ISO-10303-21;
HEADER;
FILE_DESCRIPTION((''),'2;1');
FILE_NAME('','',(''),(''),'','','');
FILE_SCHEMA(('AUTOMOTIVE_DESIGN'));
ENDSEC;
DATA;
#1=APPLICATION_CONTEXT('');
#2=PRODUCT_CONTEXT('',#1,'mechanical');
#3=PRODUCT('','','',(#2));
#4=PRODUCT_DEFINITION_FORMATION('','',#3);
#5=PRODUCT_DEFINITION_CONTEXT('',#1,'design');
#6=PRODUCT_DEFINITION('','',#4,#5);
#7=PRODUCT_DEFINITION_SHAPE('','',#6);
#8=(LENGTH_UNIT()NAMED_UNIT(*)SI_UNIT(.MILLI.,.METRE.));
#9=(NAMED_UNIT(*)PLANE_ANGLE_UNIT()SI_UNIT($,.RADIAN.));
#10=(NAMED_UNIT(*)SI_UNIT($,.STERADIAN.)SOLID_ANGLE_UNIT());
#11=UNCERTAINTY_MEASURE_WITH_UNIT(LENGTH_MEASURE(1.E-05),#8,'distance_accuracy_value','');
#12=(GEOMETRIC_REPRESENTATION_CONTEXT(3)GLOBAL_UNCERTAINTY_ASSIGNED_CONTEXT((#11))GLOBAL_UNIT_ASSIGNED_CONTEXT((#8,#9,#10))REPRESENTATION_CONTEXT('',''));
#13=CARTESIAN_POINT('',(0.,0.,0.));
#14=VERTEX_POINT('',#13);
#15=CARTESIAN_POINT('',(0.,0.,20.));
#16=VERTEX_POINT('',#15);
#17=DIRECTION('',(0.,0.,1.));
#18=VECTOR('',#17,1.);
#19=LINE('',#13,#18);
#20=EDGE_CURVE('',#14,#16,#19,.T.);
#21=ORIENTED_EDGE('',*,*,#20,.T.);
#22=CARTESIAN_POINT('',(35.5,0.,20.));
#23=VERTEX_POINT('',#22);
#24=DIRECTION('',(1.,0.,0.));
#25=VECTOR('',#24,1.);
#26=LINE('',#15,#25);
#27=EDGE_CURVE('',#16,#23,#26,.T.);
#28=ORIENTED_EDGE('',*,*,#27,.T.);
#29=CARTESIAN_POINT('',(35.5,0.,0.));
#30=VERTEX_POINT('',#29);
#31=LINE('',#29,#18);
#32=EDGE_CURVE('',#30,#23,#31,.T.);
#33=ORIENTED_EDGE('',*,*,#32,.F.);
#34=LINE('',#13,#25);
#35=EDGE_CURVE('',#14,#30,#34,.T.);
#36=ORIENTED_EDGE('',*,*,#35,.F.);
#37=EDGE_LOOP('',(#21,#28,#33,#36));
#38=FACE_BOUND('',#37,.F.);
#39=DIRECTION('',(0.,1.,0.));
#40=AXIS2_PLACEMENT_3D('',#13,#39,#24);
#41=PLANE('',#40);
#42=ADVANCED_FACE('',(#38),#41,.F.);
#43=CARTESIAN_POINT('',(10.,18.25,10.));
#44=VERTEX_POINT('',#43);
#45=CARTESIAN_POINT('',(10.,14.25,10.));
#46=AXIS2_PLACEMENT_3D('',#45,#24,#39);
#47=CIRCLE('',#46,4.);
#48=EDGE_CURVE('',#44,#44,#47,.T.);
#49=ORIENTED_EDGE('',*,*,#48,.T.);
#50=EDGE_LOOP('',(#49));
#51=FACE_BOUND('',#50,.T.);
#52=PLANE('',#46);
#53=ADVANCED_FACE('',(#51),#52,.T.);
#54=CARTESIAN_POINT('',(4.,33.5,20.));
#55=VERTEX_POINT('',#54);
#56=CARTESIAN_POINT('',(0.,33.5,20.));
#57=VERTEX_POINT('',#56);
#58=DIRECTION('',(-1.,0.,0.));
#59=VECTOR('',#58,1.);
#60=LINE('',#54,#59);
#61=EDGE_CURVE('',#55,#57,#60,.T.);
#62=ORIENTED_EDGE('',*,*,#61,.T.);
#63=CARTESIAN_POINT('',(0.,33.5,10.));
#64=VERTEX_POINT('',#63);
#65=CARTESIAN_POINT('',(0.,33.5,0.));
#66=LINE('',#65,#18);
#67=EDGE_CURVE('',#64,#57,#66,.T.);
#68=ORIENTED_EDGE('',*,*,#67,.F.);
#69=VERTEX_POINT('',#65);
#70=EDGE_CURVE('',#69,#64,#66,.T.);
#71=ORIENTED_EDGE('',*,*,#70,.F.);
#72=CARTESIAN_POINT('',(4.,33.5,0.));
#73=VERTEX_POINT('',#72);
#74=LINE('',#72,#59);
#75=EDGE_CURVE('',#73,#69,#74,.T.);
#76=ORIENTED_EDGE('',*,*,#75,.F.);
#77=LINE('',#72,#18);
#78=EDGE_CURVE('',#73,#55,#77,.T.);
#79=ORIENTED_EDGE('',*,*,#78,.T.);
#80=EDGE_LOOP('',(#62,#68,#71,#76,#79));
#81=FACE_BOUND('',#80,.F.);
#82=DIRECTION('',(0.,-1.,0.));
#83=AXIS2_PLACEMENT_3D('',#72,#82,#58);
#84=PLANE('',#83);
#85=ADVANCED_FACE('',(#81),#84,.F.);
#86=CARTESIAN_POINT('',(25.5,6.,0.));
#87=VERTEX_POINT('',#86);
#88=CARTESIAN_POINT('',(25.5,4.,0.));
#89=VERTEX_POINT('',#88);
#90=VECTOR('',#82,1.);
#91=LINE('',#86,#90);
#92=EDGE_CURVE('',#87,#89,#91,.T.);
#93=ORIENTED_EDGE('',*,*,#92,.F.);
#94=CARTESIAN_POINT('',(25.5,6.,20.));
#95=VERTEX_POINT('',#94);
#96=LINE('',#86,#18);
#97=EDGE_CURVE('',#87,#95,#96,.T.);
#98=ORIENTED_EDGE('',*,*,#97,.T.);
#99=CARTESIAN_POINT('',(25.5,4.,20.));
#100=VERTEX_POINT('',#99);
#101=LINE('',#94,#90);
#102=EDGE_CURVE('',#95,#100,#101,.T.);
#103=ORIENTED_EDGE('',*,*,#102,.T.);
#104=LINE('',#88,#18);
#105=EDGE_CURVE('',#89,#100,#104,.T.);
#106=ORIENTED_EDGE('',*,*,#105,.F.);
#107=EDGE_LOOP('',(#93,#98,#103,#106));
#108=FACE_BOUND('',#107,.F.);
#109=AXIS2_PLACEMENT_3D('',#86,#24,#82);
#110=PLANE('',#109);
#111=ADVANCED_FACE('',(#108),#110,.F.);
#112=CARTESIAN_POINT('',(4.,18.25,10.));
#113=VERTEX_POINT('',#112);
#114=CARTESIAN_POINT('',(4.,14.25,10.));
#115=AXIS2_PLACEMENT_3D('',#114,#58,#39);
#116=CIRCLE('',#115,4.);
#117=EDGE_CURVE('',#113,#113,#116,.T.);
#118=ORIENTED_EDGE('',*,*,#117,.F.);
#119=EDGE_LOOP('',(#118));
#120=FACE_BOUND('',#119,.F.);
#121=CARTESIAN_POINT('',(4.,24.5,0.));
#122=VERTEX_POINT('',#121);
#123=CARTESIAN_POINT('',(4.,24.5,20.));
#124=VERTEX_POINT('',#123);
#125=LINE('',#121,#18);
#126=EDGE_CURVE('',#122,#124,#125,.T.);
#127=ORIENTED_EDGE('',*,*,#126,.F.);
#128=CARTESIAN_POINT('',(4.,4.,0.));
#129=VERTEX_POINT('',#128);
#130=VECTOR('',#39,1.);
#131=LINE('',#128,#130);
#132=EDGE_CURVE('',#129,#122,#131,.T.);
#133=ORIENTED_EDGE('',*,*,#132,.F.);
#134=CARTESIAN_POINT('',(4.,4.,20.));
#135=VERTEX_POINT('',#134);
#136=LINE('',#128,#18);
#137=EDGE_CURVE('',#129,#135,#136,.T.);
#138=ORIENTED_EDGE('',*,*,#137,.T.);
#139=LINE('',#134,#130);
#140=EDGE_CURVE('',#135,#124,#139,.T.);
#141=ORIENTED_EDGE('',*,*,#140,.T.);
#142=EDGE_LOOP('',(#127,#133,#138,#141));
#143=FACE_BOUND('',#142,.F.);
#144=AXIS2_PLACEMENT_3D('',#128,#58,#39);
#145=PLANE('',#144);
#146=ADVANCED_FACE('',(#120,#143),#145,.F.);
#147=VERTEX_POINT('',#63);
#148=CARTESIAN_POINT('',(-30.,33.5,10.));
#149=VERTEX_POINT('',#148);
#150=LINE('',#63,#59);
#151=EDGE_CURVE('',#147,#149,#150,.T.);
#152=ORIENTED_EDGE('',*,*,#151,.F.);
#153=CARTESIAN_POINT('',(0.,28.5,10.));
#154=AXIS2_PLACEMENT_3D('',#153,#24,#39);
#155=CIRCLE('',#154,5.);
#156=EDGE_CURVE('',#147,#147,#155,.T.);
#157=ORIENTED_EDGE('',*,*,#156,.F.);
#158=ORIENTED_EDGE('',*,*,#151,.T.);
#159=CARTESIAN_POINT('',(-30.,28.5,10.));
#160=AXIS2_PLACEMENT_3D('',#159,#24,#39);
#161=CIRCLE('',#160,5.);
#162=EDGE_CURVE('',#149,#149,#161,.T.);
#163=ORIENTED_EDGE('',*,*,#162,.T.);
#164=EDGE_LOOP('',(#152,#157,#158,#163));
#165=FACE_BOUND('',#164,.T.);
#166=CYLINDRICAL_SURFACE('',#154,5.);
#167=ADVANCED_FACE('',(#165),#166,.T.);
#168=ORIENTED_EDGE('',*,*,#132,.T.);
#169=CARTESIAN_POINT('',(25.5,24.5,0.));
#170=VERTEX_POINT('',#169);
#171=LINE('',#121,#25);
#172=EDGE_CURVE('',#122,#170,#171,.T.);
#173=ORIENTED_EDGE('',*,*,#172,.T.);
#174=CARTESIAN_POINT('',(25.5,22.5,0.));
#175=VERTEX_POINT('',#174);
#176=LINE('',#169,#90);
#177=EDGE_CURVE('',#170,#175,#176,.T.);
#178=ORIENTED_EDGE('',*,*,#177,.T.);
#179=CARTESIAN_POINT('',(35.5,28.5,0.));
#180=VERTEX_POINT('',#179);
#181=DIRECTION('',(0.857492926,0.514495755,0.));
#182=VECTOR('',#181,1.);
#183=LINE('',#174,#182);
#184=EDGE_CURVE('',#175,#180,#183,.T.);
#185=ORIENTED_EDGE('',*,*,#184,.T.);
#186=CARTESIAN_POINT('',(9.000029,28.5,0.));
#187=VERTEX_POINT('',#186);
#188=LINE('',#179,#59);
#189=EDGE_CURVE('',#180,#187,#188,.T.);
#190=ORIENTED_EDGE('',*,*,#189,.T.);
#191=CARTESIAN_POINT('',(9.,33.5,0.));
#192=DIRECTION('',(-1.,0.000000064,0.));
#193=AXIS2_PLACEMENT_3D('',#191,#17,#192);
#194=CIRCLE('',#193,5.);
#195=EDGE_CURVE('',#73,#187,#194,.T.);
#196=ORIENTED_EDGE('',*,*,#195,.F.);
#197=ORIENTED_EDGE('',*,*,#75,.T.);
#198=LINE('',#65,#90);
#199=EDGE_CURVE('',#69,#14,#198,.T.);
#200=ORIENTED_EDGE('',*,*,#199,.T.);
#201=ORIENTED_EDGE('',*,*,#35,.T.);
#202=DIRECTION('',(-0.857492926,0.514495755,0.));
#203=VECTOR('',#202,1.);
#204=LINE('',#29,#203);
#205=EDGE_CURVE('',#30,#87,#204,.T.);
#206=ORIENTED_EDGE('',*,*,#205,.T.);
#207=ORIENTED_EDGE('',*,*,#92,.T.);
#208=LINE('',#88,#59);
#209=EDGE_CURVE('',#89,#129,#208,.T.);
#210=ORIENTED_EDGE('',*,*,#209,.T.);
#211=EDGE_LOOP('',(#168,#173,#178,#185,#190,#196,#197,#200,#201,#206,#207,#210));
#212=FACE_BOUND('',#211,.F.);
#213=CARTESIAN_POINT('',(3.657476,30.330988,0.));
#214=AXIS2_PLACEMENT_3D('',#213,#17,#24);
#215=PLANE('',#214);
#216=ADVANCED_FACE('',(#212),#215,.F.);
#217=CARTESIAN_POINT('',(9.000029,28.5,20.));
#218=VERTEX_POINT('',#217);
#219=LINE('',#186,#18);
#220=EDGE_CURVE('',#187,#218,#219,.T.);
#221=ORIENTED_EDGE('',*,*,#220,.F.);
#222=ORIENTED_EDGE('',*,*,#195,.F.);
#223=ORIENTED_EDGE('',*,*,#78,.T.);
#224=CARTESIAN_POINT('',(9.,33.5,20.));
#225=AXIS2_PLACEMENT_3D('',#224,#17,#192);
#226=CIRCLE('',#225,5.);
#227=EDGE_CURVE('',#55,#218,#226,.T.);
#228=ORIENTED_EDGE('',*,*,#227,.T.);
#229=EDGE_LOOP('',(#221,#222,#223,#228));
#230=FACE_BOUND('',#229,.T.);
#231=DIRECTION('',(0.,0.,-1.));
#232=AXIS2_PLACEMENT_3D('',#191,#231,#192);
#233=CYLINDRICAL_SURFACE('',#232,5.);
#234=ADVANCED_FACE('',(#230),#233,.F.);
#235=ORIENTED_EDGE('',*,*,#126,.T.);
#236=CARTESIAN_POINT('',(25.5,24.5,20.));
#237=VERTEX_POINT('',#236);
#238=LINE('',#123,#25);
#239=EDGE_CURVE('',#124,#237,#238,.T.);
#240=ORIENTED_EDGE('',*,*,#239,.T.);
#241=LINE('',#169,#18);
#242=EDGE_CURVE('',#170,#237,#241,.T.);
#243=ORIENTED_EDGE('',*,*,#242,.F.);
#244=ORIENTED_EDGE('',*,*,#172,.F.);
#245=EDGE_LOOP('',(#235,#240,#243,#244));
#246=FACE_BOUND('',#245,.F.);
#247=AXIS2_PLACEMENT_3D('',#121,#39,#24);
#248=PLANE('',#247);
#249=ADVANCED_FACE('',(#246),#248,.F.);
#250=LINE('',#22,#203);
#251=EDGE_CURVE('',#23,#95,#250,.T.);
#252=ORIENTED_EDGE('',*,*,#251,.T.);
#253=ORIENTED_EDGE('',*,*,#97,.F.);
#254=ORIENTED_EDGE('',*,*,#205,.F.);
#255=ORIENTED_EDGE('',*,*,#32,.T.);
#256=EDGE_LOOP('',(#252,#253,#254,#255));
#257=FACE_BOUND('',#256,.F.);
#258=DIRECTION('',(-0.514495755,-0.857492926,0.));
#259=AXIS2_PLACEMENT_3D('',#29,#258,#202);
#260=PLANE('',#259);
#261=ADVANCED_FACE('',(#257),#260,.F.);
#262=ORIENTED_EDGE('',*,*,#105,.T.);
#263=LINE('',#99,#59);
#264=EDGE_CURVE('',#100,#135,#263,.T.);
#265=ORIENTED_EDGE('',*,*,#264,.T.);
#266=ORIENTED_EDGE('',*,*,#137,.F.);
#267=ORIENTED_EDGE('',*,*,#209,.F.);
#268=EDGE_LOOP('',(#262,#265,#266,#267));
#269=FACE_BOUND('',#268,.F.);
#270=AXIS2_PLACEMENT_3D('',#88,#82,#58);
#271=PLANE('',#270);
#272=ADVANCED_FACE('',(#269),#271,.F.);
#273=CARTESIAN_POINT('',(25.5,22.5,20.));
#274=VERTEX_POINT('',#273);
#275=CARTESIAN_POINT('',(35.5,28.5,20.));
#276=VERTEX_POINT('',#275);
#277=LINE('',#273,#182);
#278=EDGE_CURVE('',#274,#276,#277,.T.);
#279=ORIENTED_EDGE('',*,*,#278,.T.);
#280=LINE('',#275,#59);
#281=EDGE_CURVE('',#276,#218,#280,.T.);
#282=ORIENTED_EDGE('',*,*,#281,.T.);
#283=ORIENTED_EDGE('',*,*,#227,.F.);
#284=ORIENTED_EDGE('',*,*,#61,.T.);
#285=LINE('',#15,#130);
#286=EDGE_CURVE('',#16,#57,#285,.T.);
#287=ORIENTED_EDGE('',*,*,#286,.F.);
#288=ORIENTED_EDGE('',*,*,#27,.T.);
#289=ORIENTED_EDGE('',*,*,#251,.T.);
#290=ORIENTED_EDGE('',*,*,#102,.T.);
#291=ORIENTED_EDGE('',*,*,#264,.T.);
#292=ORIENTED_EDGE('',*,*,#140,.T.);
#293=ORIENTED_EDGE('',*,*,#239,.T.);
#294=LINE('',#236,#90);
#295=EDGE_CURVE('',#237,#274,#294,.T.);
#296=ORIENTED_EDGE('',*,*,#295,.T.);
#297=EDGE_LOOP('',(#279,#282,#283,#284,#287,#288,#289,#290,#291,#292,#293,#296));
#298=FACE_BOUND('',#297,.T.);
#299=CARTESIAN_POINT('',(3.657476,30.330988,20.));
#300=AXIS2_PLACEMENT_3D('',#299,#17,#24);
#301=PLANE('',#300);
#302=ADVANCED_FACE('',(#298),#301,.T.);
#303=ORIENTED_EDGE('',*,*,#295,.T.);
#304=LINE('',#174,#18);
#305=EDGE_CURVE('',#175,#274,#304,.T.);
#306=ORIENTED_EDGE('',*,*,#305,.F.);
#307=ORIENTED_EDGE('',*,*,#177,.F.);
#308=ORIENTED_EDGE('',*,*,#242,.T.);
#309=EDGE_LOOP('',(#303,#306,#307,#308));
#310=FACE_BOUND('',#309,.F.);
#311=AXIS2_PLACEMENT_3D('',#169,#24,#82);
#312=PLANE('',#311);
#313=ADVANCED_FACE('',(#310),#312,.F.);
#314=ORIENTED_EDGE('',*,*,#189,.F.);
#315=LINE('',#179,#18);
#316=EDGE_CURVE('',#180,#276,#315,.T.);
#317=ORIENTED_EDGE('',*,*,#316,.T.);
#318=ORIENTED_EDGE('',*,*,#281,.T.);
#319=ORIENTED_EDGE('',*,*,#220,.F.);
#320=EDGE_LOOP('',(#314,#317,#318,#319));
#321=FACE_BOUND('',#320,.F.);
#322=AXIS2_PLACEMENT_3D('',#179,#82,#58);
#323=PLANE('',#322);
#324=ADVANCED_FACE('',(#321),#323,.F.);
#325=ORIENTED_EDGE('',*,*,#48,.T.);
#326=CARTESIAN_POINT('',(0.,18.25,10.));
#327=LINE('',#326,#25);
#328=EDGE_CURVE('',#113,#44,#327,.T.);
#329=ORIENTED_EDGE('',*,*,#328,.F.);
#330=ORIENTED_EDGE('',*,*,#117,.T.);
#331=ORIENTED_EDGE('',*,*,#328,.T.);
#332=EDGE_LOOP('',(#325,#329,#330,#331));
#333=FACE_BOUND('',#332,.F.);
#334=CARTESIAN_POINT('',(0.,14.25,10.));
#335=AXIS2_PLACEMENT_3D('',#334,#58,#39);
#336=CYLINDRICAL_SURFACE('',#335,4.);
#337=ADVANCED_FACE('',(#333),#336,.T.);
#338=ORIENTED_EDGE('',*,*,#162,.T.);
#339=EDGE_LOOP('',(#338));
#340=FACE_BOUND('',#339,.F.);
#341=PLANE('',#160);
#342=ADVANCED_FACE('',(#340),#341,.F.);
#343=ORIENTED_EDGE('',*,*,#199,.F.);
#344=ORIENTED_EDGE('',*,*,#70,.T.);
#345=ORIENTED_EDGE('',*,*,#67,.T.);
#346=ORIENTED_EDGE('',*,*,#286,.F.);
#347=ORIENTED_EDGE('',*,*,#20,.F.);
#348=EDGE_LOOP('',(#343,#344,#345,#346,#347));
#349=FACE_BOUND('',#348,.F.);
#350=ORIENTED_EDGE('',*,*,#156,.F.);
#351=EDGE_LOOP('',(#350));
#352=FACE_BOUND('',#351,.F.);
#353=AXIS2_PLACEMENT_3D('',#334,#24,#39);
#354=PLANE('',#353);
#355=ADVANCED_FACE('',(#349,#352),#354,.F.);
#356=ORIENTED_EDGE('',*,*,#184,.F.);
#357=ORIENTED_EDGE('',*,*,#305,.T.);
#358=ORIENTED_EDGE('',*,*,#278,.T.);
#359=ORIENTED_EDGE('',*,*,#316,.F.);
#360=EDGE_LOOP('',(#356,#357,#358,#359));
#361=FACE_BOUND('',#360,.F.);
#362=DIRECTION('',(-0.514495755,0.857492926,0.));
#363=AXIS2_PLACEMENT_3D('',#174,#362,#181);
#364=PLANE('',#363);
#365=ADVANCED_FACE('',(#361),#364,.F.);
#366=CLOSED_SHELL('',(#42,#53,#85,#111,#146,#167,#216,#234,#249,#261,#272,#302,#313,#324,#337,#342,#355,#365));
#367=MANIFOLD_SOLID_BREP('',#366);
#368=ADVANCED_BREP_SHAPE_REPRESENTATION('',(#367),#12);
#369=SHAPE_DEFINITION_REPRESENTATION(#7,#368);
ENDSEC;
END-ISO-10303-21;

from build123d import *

# Parameters (mm, degrees)
PAD_DEPTH    = 20
PAD003_DEPTH = 20
SKETCH001_R  = 5
PAD004_DEPTH = 30
SKETCH003_R  = 4
PAD005_DEPTH = 10


with BuildPart() as part:
    # Sketch → Pad (new body)
    with BuildSketch(Plane.XY):
        Polygon((0, 0), (35.5, 0), (25.5, 6), (25.5, 4), (4, 4), (4, 24.5), (25.5, 24.5), (25.5, 22.5), (35.5, 28.5), (0, 28.5), align=None)
    extrude(amount=PAD_DEPTH)

    # Sketch002 → Pad003 (join)
    with BuildSketch(Plane.XY):
        with BuildLine():
            Line((0, 33.5), (0, 28.5))
            Line((0, 28.5), (4, 28.5))
            Line((4, 28.5), (9.000029, 28.5))
            ThreePointArc((4, 33.5), (5.464476, 29.964456), (9.000029, 28.5))
            Line((4, 33.5), (0, 33.5))
        make_face()
    extrude(amount=PAD003_DEPTH)

    # Sketch001 → Pad004 (join)
    with BuildSketch(Plane.YZ):
        with Locations((28.5, 10)):
            Circle(SKETCH001_R)
    extrude(amount=-PAD004_DEPTH)

    # Sketch003 → Pad005 (join)
    with BuildSketch(Plane.YZ):
        with Locations((14.25, 10)):
            Circle(SKETCH003_R)
    extrude(amount=PAD005_DEPTH)


solid = part.part
